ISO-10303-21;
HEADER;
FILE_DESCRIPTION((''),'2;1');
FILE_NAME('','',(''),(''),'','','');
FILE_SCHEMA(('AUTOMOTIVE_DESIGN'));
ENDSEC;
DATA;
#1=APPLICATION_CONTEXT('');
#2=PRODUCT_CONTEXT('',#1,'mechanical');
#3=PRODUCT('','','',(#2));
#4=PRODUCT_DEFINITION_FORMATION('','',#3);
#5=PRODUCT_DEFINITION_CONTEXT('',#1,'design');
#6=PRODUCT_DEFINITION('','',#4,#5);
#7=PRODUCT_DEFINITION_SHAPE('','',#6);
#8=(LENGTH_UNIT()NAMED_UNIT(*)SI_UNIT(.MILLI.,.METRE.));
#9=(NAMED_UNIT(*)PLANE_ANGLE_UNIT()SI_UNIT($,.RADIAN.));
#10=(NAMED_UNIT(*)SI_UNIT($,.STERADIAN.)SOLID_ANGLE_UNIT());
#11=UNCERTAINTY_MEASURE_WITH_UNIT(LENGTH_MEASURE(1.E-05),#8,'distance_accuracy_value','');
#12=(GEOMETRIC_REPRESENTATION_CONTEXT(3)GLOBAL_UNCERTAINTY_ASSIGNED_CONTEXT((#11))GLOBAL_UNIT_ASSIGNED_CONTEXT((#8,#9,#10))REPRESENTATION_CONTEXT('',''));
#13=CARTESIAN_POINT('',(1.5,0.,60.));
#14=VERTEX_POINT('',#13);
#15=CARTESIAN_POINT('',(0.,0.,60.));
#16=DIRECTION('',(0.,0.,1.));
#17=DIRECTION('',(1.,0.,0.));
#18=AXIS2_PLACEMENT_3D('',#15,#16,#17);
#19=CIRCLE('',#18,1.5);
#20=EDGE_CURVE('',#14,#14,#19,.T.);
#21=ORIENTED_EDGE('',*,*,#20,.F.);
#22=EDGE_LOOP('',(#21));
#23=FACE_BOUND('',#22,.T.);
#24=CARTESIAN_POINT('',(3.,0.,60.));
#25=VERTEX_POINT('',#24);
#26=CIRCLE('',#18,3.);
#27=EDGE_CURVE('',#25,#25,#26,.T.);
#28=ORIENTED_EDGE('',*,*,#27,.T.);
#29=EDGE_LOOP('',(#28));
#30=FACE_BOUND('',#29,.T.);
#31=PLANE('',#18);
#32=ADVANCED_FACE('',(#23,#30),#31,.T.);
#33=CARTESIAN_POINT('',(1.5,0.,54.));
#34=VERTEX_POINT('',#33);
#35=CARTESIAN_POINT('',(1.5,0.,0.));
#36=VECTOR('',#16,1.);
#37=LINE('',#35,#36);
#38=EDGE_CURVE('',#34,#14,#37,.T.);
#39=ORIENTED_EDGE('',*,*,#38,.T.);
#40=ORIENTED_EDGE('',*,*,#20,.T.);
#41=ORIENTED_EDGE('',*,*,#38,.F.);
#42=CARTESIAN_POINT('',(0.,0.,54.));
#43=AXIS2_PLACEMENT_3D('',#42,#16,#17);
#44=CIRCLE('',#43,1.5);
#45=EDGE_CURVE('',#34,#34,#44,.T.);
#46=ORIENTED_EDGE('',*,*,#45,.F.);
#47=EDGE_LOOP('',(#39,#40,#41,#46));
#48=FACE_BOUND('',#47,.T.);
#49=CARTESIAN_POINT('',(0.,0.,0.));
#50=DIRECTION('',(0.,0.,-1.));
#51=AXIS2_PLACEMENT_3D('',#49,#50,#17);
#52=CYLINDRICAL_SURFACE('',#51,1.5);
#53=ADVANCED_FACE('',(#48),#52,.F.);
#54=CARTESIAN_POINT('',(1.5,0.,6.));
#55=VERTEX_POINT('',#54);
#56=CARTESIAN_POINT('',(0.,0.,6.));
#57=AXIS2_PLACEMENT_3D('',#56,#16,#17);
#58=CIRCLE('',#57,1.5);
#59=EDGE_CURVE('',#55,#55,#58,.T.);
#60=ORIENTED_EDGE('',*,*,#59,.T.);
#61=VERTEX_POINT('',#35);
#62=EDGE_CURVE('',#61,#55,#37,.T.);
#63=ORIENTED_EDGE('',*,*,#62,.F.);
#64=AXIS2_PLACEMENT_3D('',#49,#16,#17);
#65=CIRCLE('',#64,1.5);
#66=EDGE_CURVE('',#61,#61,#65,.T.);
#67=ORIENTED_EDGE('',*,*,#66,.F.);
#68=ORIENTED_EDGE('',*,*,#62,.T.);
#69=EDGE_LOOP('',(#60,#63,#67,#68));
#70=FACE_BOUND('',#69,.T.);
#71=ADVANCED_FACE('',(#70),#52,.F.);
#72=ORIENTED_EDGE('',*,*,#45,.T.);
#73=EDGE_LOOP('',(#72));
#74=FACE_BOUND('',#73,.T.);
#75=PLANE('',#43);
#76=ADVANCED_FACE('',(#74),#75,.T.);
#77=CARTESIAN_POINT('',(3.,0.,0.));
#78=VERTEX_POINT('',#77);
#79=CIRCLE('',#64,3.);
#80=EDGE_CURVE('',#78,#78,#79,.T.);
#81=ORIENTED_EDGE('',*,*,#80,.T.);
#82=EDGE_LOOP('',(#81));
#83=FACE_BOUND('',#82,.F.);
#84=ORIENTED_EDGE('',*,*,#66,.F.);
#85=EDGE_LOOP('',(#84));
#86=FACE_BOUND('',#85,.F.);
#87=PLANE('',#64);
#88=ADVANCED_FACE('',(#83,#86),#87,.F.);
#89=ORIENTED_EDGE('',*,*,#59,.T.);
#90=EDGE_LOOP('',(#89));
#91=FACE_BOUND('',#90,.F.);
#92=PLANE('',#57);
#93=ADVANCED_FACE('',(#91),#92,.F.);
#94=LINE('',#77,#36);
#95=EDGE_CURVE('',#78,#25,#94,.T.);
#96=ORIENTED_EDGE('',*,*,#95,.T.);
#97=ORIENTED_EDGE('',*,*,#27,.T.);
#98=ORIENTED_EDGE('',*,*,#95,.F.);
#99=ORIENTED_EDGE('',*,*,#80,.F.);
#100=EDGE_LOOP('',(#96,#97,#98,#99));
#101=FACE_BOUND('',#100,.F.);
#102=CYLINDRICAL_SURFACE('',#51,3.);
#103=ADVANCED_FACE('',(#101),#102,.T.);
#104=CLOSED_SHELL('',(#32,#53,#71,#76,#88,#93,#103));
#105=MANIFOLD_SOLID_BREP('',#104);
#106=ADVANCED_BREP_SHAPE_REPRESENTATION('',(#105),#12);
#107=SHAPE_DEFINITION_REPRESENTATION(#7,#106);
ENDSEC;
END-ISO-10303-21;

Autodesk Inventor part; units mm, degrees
ref_plane "YZ Plane" through (0, 0, 0) normal (1, 0, 0) x (0, 1, 0)
ref_plane "XZ Plane" through (0, 0, 0) normal (0, 1, 0) x (-1, 0, 0)
sketch "スケッチ1" plane through (0, 0, 0) normal (0, 0, 1) x (1, 0, 0)
  circle A0 centre (0, 0) radius 3
  circle A1 centre (0, 0) radius 1.5
  dimension "d0" = 6
  dimension "d1" = 3
extrude "押し出し1" add sketch "スケッチ1" along normal blind 60
sketch "スケッチ2" plane through (0, 0, 60) normal (0, 0, 1) x (1, 0, 0)
  point P0 (0, 0)
ref_plane "作業平面1" through (0, 0, 54) normal (0, 0, 1) x (1, 0, 0)
sketch "スケッチ3" plane through (0, 0, 54) normal (0, 0, 1) x (1, 0, 0)
  circle A0 centre (0, 0) radius 3 projected
  circle A1 centre (0, 0) radius 1.5
  dimension "d5" = 3
extrude "押し出し2" add sketch "スケッチ3" against normal blind 48 contours A1
properties part number "スペーサーm3-60　簡易筒型　売ってない" material "アルミニウム 2014-T4"
